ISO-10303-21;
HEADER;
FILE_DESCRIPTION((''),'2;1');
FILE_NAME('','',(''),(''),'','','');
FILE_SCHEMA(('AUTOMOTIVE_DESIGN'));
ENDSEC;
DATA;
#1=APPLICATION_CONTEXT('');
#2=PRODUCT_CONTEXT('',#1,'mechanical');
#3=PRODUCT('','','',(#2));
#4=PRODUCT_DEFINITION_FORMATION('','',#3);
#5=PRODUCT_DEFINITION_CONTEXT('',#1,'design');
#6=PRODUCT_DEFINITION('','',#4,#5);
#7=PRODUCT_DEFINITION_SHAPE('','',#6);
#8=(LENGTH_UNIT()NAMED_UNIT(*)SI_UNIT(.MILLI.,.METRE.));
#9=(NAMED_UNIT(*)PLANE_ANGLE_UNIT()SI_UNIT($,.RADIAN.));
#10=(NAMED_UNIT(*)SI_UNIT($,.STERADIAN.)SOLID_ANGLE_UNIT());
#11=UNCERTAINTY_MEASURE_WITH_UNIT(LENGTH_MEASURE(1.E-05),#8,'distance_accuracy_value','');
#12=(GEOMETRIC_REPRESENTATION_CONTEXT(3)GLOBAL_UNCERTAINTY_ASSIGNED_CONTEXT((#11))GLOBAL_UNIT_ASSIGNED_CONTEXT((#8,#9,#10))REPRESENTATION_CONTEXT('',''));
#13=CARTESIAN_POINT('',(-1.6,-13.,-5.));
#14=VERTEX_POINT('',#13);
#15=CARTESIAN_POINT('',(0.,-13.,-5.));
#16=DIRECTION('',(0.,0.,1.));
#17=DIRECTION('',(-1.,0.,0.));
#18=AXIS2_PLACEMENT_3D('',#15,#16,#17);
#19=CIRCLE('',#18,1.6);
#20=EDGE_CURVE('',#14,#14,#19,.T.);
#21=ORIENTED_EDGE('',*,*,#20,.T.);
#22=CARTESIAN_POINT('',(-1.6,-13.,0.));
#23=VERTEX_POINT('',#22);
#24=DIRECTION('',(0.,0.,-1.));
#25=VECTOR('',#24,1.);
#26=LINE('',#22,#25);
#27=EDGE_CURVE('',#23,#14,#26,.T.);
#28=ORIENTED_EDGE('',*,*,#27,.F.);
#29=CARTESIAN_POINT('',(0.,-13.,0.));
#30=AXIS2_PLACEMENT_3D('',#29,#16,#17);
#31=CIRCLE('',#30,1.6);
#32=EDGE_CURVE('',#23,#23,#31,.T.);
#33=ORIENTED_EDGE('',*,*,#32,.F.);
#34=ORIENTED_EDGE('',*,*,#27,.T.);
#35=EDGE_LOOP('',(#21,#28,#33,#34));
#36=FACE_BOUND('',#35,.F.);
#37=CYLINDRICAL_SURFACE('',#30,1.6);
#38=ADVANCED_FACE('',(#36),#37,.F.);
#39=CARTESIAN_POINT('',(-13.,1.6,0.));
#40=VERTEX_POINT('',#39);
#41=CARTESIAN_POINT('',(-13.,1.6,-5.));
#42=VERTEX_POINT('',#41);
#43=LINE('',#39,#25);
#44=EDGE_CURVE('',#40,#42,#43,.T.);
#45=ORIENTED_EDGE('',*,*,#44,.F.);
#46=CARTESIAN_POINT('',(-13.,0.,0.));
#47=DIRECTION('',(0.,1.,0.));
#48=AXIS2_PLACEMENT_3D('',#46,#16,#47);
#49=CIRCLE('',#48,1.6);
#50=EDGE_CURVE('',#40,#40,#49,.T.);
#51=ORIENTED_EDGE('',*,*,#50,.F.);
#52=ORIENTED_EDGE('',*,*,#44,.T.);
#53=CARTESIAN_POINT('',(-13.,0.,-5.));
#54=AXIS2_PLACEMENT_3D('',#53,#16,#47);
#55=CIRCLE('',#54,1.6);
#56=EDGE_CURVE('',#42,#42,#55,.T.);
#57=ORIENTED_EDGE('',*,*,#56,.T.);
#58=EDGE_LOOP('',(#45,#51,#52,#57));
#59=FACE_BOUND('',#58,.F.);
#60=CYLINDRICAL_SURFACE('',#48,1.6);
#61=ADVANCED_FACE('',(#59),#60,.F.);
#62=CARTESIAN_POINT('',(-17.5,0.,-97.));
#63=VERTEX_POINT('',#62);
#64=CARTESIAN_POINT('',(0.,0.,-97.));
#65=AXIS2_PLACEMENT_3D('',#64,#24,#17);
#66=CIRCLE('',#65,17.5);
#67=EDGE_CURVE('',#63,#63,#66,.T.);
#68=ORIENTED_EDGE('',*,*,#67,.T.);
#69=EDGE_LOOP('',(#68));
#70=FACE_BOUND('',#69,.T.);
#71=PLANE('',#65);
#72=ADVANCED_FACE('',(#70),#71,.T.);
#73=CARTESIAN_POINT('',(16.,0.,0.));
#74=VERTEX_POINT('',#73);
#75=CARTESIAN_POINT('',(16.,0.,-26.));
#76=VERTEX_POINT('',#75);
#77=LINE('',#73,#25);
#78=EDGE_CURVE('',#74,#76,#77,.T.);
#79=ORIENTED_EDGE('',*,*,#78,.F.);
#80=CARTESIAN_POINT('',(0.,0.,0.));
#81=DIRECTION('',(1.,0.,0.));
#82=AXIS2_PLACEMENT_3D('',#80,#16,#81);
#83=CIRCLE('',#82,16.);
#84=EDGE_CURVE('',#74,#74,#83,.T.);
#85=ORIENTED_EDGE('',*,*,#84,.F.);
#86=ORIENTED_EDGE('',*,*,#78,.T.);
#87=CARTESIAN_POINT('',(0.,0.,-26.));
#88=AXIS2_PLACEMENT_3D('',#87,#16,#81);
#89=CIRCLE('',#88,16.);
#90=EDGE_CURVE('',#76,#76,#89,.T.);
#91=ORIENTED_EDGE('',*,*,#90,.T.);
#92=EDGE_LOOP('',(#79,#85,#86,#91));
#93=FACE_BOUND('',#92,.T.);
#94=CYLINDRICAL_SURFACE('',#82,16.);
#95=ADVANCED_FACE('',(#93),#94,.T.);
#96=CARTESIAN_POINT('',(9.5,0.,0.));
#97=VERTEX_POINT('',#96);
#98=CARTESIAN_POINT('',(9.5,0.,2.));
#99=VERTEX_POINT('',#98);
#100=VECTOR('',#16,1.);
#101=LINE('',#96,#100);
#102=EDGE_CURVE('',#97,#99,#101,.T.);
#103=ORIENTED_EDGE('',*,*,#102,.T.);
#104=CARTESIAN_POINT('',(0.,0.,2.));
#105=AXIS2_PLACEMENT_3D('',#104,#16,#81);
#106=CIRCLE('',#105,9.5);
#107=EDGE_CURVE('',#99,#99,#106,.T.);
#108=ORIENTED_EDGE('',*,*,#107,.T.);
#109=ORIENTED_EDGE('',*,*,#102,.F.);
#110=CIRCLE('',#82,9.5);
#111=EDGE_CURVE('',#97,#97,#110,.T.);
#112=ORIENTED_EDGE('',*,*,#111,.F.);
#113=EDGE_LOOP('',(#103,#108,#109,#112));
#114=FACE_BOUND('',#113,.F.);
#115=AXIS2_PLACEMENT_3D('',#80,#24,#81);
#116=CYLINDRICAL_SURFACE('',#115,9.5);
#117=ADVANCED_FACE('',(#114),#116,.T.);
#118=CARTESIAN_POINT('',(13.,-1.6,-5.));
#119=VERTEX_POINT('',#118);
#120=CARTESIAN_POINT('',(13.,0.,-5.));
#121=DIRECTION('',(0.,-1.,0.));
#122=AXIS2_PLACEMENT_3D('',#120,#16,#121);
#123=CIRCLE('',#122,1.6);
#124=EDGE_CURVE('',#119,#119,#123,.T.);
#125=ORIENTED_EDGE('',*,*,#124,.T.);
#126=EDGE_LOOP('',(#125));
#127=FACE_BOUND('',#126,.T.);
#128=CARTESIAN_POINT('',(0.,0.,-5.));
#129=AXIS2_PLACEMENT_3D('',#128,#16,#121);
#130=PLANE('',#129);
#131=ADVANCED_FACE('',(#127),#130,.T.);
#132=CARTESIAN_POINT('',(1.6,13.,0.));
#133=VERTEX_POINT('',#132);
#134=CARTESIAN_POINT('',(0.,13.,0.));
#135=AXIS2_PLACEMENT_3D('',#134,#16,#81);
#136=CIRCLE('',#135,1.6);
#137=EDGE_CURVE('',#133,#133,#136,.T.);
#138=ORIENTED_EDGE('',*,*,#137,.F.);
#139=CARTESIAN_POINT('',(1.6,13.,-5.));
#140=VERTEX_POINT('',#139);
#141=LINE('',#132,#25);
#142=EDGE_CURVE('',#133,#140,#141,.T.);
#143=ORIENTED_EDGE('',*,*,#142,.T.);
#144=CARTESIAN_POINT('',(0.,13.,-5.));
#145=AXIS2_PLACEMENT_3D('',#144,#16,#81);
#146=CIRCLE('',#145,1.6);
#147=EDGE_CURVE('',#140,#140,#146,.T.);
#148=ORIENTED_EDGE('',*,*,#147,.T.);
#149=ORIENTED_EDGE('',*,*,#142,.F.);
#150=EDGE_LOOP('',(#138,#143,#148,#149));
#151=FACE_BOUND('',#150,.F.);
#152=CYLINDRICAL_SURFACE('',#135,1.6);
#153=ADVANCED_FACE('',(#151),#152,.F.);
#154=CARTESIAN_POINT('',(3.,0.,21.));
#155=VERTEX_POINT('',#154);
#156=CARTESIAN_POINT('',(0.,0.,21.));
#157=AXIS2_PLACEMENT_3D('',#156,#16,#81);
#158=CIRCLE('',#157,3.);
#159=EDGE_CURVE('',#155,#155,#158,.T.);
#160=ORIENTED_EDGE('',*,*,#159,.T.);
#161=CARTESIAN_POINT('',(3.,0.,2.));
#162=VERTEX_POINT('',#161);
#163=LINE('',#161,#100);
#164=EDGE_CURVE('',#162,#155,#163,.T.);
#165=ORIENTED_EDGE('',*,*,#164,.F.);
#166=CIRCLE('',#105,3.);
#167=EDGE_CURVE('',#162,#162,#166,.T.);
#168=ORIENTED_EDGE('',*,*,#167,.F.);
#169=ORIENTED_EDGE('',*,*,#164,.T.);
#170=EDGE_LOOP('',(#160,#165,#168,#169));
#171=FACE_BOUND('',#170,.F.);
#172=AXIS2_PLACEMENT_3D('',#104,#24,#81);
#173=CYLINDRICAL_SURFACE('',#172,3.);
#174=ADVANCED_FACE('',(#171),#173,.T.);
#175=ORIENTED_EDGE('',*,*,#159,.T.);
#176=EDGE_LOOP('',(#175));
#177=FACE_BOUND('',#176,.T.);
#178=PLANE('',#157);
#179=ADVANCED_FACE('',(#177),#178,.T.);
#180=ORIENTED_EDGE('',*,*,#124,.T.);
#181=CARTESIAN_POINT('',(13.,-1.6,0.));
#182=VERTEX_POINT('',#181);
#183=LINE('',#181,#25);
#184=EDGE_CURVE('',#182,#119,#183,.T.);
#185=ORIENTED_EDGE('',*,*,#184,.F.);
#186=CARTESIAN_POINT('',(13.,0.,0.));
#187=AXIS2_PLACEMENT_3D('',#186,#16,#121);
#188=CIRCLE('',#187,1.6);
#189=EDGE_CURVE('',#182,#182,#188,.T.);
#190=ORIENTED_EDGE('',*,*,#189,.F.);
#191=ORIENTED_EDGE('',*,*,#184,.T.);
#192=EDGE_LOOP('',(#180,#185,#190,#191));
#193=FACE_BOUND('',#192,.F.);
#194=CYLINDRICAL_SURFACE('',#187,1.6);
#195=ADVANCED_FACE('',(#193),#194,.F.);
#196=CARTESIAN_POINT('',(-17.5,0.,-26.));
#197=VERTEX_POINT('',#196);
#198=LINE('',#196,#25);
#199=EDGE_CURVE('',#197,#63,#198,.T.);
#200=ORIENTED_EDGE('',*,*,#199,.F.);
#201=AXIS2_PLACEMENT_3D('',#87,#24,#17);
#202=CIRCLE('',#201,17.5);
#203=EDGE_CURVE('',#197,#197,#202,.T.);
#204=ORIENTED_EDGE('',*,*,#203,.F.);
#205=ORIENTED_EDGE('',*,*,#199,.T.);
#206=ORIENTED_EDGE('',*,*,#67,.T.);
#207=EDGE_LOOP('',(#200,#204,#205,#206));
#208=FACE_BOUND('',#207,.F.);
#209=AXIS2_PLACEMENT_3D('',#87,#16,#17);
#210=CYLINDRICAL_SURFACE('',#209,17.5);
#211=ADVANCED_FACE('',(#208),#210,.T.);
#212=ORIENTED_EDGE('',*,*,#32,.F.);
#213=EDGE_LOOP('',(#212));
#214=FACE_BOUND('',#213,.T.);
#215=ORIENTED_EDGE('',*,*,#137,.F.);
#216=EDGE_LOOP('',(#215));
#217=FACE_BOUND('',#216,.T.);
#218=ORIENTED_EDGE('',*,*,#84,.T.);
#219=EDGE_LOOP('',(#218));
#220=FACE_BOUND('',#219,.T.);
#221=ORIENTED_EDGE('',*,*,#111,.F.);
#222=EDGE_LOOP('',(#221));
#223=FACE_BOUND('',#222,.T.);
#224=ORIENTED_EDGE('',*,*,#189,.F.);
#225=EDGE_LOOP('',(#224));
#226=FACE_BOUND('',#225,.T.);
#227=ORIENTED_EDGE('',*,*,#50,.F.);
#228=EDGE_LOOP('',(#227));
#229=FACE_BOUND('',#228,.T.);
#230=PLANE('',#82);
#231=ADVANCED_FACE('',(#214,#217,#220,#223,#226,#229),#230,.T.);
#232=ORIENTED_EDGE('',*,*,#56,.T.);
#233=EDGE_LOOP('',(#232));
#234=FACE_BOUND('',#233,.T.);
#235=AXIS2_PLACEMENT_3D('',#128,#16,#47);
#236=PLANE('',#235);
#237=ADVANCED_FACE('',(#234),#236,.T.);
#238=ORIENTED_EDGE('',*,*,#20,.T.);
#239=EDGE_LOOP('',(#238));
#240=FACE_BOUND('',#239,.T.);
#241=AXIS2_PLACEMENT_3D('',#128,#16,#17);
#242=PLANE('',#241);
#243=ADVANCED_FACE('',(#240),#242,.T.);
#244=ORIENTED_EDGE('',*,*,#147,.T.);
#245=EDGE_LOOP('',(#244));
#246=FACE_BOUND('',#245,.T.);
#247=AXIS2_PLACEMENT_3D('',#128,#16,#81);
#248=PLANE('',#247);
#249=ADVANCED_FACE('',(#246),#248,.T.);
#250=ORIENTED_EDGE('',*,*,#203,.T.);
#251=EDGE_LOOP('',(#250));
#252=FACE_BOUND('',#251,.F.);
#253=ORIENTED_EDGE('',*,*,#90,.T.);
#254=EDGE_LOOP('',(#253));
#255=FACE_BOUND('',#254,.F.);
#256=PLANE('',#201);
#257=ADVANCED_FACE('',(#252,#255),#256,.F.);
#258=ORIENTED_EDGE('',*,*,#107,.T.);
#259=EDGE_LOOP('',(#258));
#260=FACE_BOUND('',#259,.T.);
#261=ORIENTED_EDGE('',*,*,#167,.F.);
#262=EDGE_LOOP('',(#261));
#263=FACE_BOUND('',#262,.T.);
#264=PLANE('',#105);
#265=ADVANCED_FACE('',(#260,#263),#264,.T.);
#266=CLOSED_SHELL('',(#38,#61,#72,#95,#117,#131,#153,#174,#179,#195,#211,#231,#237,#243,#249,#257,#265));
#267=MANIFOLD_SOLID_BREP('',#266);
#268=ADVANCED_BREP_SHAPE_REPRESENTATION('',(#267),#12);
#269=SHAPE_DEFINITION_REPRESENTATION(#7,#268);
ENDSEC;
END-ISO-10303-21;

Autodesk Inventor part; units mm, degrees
ref_plane "YZ Plane" through (0, 0, 0) normal (1, 0, 0) x (0, 1, 0)
ref_plane "XZ Plane" through (0, 0, 0) normal (0, 1, 0) x (-1, 0, 0)
ref_plane "XY Plane" through (0, 0, 0) normal (0, 0, 1) x (1, 0, 0)
sketch "スケッチ1" plane through (0, 0, 0) normal (0, 0, 1) x (1, 0, 0)
  circle A0 centre (0, 0) radius 16
  dimension "d0" = 32
extrude "押し出し1" add sketch "スケッチ1" against normal blind 26
sketch "スケッチ2" plane through (0, 0, -26) normal (0, 0, -1) x (-1, 0, 0)
  circle A0 centre (0, 0) radius 17.5
  dimension "d3" = 35
extrude "押し出し2" add sketch "スケッチ2" along normal blind 71
sketch "スケッチ3" plane through (0, 0, 0) normal (0, 0, 1) x (1, 0, 0)
  circle A0 centre (0, 13) radius 1.6
  point P0 (0, 0)
  dimension "d6" = 3.2
  dimension "d7" = 13
extrude "押し出し3" cut sketch "スケッチ3" against normal blind 5
pattern_circular "円形状パターン1" count 4 over 360 about axis through (0, 0, -10) along (0, 0, 1) of "押し出し3"
sketch "スケッチ4" plane through (0, 0, 0) normal (0, 0, 1) x (1, 0, 0)
  circle A0 centre (0, 0) radius 9.5
  dimension "d13" = 19
extrude "押し出し4" add sketch "スケッチ4" along normal blind 2
sketch "スケッチ5" plane through (0, 0, 2) normal (0, 0, 1) x (1, 0, 0)
  circle A0 centre (0, 0) radius 3
  dimension "d16" = 6
extrude "押し出し5" add sketch "スケッチ5" along normal blind 19
properties part number "motor" material "アルミニウム 6061"
